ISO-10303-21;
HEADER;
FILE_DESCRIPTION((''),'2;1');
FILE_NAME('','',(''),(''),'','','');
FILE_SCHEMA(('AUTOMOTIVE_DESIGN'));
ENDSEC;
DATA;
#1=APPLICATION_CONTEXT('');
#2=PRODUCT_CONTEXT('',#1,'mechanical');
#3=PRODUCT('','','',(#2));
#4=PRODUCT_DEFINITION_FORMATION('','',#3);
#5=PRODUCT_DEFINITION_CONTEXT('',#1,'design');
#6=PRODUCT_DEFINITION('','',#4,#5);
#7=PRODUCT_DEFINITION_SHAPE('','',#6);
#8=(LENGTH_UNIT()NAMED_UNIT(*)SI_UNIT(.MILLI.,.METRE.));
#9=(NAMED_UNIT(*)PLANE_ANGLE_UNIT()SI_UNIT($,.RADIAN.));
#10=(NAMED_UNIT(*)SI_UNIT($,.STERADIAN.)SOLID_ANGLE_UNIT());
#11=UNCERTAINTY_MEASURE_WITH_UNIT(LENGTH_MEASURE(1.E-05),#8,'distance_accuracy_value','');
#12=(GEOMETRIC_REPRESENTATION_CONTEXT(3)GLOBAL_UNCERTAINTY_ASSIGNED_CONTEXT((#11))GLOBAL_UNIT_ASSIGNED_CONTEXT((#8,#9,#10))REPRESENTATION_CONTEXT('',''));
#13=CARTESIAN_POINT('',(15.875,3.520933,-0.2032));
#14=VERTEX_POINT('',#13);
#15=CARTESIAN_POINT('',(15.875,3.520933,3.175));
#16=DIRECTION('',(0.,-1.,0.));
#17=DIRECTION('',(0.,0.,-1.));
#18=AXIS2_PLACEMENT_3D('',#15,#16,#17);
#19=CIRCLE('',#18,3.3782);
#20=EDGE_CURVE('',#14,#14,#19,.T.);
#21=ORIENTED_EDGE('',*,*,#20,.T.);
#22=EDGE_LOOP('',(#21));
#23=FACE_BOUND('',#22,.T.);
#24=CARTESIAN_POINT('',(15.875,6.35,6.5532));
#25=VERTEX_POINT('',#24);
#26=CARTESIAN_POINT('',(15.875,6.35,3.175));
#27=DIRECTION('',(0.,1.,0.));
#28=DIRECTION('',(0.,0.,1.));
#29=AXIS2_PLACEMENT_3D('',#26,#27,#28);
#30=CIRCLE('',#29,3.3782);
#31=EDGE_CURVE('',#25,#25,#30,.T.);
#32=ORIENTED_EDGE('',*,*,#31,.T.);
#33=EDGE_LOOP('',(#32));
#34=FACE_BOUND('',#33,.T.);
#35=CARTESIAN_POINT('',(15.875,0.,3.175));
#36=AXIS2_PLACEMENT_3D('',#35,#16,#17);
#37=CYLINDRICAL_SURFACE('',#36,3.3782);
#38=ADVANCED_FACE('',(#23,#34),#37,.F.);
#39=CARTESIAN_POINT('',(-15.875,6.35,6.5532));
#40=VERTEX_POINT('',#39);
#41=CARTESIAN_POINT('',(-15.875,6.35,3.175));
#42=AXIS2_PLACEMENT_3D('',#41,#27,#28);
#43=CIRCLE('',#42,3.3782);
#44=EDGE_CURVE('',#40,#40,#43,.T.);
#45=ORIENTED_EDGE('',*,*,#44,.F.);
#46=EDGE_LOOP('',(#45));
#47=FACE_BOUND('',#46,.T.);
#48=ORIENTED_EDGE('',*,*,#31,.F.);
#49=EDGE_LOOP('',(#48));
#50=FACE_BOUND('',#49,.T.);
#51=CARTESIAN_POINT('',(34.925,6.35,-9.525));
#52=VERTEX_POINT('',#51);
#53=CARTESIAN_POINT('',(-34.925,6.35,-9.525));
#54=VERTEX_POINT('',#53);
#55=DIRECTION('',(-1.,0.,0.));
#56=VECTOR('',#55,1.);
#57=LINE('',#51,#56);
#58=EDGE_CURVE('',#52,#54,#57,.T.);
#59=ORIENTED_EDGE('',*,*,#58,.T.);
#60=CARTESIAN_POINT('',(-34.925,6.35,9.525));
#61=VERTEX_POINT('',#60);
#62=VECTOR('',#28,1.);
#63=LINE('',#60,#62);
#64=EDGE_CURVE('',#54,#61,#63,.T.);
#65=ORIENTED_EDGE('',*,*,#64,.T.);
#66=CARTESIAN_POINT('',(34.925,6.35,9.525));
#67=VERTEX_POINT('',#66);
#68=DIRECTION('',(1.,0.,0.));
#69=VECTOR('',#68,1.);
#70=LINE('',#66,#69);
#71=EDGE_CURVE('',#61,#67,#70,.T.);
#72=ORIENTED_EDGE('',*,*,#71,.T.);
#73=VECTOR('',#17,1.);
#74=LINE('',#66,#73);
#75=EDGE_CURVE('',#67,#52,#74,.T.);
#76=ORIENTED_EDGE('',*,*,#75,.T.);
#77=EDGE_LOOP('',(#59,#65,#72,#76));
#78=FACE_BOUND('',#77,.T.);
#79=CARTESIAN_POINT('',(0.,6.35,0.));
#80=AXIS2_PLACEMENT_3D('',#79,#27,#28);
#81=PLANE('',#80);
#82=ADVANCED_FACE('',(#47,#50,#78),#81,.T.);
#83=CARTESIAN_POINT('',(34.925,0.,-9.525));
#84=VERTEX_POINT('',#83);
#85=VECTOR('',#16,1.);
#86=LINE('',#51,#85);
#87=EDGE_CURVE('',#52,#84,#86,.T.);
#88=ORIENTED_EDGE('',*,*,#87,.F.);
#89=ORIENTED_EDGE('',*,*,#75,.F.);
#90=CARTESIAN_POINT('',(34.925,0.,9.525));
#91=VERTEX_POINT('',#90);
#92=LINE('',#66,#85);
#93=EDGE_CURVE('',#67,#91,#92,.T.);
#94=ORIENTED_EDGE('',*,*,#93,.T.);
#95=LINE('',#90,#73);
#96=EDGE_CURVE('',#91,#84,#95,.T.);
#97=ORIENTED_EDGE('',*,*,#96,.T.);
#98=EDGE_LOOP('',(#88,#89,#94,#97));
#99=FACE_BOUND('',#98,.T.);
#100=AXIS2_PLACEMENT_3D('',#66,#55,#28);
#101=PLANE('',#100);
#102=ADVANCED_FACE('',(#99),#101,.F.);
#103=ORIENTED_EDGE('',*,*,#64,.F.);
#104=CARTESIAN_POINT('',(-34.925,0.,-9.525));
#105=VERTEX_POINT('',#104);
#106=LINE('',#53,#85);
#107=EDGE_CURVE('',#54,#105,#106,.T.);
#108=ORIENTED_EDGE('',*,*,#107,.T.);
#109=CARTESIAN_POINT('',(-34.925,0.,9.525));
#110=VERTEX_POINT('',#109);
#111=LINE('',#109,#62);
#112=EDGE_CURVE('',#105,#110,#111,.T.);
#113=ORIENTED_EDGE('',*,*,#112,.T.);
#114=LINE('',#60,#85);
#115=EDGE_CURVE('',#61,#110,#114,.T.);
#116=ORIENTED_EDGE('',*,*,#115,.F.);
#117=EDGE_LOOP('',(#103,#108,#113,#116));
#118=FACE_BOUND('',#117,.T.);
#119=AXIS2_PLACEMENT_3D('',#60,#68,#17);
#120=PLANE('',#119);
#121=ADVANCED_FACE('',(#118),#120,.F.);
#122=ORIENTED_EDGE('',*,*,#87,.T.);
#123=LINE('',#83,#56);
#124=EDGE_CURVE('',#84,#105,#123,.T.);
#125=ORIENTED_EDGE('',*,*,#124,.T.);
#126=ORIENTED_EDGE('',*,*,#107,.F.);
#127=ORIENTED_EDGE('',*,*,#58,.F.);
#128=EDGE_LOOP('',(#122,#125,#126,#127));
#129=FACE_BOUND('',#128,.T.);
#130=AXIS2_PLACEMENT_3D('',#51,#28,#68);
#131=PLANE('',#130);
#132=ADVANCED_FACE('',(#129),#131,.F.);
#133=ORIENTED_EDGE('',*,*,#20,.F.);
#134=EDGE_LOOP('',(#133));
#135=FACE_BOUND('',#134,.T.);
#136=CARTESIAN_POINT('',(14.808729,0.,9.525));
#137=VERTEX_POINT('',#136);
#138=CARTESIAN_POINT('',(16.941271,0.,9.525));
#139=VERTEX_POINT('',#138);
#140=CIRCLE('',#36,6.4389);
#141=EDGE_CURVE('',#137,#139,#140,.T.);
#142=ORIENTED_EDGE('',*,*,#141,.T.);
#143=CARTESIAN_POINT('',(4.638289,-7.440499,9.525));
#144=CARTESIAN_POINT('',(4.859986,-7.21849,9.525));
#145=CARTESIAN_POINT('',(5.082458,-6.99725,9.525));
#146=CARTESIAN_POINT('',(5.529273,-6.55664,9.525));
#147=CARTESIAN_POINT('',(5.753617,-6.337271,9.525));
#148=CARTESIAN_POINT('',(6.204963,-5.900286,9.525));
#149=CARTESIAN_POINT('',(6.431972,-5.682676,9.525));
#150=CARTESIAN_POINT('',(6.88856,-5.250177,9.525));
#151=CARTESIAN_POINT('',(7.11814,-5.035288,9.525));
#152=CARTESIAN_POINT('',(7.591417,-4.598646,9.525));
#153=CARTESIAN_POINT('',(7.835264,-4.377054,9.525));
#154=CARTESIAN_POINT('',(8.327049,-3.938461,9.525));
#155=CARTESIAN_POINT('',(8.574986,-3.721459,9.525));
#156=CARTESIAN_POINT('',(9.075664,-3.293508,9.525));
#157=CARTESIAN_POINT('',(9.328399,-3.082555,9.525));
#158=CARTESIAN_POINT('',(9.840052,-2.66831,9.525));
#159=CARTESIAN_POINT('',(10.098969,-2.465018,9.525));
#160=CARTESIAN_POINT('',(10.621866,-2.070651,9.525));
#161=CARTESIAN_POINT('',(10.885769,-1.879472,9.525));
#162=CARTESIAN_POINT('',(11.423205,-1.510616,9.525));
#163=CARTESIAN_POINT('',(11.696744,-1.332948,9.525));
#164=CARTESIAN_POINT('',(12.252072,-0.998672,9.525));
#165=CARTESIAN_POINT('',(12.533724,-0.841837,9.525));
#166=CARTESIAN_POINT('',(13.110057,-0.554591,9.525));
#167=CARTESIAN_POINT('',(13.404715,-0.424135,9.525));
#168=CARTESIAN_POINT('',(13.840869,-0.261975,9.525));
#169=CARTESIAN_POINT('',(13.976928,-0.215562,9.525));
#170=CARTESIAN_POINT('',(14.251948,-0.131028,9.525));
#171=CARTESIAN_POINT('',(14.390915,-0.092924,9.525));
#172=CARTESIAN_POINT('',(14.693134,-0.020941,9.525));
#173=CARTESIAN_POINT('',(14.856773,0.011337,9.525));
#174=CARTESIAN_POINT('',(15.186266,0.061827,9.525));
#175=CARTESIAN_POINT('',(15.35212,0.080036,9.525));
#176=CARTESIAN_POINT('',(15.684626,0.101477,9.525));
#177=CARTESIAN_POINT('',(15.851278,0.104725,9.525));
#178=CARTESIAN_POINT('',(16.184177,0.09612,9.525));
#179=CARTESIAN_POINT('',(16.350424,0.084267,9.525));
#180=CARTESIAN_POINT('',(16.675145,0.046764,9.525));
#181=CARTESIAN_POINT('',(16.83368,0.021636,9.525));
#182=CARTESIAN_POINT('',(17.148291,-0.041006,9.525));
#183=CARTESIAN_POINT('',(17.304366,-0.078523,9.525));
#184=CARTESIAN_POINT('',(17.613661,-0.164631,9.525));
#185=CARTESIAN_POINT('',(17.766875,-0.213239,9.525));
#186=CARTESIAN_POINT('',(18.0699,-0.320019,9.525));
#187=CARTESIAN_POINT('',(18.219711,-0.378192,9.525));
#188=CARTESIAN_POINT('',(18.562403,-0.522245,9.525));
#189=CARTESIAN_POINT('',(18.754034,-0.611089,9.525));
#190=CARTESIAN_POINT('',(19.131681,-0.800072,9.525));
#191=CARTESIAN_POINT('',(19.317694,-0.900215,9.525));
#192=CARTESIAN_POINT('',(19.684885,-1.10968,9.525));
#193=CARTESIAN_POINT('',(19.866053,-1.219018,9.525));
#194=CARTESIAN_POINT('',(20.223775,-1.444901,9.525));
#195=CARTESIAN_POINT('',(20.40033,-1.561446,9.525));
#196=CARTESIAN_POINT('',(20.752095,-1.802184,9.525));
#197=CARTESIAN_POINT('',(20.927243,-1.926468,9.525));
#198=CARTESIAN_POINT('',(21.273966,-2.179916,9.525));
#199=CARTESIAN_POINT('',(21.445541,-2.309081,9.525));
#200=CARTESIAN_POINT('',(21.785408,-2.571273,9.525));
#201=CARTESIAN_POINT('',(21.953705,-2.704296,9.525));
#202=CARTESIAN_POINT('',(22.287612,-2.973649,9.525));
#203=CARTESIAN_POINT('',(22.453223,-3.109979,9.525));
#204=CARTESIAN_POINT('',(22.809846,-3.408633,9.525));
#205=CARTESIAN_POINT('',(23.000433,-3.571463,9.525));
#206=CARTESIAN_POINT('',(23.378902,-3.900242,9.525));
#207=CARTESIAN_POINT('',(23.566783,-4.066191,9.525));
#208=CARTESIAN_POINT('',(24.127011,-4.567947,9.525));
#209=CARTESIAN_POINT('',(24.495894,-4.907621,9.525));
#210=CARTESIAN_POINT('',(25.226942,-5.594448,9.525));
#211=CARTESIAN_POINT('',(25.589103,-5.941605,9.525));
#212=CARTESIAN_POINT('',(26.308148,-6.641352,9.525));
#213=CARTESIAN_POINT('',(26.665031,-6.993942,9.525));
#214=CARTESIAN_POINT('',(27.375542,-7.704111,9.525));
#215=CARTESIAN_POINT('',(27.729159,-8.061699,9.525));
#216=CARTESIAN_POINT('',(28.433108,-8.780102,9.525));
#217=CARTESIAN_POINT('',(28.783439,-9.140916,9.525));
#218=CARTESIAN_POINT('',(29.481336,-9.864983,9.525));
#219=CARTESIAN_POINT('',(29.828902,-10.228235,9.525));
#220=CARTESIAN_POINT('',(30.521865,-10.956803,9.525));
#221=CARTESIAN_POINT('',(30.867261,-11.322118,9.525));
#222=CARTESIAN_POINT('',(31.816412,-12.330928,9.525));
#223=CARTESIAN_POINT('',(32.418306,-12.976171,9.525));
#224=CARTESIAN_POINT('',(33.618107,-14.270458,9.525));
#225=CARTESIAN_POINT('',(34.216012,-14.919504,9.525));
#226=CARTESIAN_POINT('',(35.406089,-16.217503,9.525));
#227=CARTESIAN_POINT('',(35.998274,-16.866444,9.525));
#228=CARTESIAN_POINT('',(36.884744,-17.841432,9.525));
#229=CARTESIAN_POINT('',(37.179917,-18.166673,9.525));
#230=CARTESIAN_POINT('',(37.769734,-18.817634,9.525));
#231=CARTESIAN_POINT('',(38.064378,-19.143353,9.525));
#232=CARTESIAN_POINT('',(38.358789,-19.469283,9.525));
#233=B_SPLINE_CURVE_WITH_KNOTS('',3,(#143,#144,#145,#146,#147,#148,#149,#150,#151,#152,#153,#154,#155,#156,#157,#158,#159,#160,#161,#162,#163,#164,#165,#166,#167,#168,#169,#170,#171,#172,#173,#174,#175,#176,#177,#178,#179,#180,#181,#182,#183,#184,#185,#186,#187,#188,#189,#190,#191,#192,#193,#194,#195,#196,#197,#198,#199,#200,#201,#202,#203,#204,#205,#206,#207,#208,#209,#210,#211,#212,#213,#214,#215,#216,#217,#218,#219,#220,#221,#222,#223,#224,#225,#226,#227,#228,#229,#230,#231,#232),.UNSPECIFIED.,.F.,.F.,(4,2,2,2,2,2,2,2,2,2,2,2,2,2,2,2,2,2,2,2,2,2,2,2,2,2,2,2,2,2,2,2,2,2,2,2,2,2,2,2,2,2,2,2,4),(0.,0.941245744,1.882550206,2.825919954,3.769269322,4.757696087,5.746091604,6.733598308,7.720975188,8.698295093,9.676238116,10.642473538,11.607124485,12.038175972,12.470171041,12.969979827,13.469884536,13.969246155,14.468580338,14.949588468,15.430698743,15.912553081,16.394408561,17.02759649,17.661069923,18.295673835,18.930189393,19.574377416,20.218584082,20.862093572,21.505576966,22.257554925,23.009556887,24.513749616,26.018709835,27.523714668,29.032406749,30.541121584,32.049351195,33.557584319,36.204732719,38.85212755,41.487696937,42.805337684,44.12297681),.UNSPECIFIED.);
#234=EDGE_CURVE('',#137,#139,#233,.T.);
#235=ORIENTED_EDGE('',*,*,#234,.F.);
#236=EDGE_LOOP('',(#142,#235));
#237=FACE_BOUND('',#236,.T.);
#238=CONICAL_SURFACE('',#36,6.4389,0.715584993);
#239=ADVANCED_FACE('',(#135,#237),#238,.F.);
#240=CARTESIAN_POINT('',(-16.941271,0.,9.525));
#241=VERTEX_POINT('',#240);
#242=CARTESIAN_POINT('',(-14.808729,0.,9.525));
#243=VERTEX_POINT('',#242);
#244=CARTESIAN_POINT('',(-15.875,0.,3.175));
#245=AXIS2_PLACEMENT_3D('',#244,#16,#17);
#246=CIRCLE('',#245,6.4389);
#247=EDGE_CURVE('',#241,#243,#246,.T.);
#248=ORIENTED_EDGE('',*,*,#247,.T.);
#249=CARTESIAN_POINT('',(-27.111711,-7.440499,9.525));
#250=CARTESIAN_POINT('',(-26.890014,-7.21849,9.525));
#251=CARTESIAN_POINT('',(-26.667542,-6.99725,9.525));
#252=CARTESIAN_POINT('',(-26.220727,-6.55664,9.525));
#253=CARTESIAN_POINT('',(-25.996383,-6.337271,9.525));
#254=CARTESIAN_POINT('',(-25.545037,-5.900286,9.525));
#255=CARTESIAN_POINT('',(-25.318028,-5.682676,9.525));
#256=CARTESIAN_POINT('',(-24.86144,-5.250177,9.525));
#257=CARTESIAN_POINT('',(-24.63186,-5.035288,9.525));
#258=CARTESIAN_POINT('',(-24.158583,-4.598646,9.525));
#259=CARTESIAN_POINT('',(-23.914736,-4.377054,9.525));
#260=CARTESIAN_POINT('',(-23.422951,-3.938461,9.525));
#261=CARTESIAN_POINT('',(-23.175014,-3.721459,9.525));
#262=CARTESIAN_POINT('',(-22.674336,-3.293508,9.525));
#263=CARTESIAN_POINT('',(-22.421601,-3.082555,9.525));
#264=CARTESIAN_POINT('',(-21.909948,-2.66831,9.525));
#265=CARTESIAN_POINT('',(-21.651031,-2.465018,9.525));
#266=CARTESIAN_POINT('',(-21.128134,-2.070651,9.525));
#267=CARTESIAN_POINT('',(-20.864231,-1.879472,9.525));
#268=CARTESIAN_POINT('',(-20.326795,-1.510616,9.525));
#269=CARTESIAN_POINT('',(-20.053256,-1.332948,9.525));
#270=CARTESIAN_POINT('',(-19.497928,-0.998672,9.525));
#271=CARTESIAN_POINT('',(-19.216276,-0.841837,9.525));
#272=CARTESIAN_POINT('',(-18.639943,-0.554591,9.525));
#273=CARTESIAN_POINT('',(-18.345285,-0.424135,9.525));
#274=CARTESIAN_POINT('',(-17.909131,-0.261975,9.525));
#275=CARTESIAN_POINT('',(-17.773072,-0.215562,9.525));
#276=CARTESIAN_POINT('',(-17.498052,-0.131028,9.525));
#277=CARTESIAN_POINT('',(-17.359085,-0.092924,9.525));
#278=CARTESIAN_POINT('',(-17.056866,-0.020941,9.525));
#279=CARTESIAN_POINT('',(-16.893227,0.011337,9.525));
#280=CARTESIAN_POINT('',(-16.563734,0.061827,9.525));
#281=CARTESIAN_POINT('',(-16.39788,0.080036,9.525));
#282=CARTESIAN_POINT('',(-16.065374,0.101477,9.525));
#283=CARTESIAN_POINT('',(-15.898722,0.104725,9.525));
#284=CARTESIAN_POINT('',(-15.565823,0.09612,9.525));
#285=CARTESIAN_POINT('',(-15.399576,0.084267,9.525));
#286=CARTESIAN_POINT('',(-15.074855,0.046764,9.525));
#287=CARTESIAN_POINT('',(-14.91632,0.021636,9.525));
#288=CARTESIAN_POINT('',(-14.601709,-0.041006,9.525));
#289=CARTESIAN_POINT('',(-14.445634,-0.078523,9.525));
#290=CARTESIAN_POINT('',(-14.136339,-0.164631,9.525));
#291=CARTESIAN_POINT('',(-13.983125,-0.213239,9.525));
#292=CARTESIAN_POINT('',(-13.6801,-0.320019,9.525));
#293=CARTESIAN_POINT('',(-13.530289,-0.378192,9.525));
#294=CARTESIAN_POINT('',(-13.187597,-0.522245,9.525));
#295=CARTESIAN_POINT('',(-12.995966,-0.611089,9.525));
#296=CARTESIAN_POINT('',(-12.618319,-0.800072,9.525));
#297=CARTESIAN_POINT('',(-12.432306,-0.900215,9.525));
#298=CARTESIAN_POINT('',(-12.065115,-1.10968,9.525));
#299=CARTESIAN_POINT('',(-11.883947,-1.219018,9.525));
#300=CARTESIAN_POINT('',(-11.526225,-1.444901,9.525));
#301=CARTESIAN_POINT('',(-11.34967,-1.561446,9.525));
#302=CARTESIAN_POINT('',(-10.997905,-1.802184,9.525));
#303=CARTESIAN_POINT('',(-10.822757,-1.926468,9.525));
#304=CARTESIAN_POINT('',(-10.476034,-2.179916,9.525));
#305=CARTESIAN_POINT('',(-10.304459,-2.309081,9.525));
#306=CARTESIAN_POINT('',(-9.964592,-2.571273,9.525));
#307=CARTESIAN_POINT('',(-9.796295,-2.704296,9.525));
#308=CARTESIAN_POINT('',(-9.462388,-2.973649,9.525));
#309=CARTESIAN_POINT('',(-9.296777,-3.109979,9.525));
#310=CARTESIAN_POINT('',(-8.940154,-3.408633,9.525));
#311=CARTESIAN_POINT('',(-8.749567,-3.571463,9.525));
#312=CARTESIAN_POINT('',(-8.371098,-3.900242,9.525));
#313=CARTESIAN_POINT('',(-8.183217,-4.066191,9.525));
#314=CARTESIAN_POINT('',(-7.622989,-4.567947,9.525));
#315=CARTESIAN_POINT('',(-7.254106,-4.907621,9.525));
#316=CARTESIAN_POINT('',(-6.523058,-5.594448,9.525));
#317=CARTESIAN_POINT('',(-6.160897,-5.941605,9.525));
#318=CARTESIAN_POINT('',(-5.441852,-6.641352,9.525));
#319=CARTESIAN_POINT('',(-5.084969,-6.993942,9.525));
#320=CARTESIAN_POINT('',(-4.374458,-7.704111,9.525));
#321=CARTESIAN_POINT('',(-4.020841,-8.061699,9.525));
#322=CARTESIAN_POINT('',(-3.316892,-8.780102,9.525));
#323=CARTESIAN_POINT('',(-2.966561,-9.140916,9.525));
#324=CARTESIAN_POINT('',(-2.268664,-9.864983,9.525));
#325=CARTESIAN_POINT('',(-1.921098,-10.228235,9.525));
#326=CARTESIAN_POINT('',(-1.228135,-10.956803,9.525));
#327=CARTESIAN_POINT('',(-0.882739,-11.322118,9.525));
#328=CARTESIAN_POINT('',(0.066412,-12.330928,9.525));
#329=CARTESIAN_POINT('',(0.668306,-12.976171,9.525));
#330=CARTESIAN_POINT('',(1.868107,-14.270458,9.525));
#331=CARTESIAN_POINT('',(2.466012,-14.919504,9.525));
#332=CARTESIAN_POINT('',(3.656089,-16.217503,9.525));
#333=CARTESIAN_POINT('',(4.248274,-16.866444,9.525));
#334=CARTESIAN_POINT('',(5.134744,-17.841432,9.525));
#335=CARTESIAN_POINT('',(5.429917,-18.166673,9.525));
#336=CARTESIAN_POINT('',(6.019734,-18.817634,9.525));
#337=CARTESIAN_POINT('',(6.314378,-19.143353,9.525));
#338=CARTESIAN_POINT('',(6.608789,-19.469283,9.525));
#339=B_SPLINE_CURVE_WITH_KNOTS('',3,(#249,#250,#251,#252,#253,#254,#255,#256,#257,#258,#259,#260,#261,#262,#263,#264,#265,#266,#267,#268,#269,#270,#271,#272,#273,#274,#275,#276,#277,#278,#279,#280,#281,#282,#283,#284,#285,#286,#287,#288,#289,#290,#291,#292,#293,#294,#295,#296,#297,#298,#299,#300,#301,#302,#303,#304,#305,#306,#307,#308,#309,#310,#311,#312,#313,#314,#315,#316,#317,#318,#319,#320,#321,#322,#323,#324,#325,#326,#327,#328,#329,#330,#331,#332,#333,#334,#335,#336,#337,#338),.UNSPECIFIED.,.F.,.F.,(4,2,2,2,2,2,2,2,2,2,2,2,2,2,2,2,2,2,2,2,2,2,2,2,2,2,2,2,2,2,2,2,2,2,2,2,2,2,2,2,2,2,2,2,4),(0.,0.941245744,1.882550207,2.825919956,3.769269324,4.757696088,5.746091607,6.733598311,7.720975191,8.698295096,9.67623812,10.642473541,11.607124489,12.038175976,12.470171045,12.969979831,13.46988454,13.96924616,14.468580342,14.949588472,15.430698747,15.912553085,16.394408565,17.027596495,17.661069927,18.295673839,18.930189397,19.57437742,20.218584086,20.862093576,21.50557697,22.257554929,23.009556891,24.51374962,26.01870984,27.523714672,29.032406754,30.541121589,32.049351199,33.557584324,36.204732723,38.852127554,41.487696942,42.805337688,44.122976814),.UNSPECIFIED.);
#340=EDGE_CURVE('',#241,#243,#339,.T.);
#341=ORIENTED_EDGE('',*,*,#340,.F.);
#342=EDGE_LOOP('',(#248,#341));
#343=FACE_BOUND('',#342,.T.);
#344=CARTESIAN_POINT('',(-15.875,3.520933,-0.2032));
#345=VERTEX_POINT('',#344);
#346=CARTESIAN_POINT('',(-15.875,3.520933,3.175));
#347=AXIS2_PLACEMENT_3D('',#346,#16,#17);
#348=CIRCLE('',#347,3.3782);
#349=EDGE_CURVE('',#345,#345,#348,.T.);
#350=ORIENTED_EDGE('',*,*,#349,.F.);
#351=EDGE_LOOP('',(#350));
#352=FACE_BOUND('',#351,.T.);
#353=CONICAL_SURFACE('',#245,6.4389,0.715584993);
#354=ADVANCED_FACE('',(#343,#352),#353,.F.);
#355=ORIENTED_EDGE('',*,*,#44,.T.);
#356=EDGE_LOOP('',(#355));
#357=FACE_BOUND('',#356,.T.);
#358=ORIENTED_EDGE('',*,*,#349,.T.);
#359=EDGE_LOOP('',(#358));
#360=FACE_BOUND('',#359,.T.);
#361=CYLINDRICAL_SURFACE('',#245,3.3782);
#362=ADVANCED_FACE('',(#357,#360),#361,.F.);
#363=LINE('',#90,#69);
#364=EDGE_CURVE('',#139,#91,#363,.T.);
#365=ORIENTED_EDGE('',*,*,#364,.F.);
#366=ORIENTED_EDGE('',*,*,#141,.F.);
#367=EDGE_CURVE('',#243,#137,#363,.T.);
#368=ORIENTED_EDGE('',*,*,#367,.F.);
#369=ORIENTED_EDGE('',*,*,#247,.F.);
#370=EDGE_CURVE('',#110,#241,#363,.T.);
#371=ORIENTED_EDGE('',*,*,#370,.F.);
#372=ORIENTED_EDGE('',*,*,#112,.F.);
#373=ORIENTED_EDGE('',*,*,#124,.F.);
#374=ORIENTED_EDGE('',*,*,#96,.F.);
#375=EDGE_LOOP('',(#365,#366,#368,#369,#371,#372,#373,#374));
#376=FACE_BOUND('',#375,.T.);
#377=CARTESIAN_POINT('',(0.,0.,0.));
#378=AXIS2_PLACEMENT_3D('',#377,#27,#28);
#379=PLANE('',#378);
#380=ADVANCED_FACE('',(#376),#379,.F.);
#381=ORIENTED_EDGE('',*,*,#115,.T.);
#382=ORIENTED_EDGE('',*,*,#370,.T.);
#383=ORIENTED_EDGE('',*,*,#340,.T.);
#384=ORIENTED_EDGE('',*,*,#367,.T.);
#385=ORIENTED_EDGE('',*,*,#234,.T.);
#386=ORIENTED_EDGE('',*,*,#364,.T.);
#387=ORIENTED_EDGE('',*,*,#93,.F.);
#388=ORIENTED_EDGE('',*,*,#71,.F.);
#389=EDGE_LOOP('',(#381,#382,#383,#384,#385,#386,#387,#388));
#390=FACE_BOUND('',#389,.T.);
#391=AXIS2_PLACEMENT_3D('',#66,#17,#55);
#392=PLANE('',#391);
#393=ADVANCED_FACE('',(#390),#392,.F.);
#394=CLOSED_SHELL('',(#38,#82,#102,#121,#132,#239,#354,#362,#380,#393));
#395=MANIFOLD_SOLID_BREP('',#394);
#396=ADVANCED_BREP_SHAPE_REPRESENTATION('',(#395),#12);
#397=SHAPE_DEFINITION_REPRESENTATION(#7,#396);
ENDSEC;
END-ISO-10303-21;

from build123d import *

# Parameters (mm, degrees)
SKETCH1_W                                        = 69.85
SKETCH1_H                                        = 19.05
BOSS_EXTRUDE1_DEPTH                              = 6.35
CSK_FOR_1_4_FLAT_HEAD_MACHINE_SCREW1_D           = 6.7564
CSK_FOR_1_4_FLAT_HEAD_MACHINE_SCREW1_DEPTH       = 15.24
CSK_FOR_1_4_FLAT_HEAD_MACHINE_SCREW1_CSINK_D     = 12.8778
CSK_FOR_1_4_FLAT_HEAD_MACHINE_SCREW1_CSINK_ANGLE = 82
CSK_FOR_1_4_FLAT_HEAD_MACHINE_SCREW1_TIP         = 2.029827343


with BuildPart() as part:
    # Sketch1 → Boss-Extrude1 (new body)
    with BuildSketch(Plane(origin=(0, 0, 0), x_dir=(1, 0, 0), z_dir=(0, 1, 0))):
        Rectangle(SKETCH1_W, SKETCH1_H)
    extrude(amount=BOSS_EXTRUDE1_DEPTH)

    # CSK for 1/4 Flat Head Machine Screw1
    with Locations(Plane(origin=(0, 0, 0), x_dir=(-1, 0, 0), z_dir=(0, -1, 0))):
        with Locations((15.875, -3.175), (-15.875, -3.175)):
            CounterSinkHole(CSK_FOR_1_4_FLAT_HEAD_MACHINE_SCREW1_D / 2, CSK_FOR_1_4_FLAT_HEAD_MACHINE_SCREW1_CSINK_D / 2, depth=CSK_FOR_1_4_FLAT_HEAD_MACHINE_SCREW1_DEPTH, counter_sink_angle=CSK_FOR_1_4_FLAT_HEAD_MACHINE_SCREW1_CSINK_ANGLE)
            with Locations((0, 0, -(CSK_FOR_1_4_FLAT_HEAD_MACHINE_SCREW1_DEPTH + CSK_FOR_1_4_FLAT_HEAD_MACHINE_SCREW1_TIP / 2))):  # 118° drill point
                Cone(0, CSK_FOR_1_4_FLAT_HEAD_MACHINE_SCREW1_D / 2, CSK_FOR_1_4_FLAT_HEAD_MACHINE_SCREW1_TIP, mode=Mode.SUBTRACT)


solid = part.part
